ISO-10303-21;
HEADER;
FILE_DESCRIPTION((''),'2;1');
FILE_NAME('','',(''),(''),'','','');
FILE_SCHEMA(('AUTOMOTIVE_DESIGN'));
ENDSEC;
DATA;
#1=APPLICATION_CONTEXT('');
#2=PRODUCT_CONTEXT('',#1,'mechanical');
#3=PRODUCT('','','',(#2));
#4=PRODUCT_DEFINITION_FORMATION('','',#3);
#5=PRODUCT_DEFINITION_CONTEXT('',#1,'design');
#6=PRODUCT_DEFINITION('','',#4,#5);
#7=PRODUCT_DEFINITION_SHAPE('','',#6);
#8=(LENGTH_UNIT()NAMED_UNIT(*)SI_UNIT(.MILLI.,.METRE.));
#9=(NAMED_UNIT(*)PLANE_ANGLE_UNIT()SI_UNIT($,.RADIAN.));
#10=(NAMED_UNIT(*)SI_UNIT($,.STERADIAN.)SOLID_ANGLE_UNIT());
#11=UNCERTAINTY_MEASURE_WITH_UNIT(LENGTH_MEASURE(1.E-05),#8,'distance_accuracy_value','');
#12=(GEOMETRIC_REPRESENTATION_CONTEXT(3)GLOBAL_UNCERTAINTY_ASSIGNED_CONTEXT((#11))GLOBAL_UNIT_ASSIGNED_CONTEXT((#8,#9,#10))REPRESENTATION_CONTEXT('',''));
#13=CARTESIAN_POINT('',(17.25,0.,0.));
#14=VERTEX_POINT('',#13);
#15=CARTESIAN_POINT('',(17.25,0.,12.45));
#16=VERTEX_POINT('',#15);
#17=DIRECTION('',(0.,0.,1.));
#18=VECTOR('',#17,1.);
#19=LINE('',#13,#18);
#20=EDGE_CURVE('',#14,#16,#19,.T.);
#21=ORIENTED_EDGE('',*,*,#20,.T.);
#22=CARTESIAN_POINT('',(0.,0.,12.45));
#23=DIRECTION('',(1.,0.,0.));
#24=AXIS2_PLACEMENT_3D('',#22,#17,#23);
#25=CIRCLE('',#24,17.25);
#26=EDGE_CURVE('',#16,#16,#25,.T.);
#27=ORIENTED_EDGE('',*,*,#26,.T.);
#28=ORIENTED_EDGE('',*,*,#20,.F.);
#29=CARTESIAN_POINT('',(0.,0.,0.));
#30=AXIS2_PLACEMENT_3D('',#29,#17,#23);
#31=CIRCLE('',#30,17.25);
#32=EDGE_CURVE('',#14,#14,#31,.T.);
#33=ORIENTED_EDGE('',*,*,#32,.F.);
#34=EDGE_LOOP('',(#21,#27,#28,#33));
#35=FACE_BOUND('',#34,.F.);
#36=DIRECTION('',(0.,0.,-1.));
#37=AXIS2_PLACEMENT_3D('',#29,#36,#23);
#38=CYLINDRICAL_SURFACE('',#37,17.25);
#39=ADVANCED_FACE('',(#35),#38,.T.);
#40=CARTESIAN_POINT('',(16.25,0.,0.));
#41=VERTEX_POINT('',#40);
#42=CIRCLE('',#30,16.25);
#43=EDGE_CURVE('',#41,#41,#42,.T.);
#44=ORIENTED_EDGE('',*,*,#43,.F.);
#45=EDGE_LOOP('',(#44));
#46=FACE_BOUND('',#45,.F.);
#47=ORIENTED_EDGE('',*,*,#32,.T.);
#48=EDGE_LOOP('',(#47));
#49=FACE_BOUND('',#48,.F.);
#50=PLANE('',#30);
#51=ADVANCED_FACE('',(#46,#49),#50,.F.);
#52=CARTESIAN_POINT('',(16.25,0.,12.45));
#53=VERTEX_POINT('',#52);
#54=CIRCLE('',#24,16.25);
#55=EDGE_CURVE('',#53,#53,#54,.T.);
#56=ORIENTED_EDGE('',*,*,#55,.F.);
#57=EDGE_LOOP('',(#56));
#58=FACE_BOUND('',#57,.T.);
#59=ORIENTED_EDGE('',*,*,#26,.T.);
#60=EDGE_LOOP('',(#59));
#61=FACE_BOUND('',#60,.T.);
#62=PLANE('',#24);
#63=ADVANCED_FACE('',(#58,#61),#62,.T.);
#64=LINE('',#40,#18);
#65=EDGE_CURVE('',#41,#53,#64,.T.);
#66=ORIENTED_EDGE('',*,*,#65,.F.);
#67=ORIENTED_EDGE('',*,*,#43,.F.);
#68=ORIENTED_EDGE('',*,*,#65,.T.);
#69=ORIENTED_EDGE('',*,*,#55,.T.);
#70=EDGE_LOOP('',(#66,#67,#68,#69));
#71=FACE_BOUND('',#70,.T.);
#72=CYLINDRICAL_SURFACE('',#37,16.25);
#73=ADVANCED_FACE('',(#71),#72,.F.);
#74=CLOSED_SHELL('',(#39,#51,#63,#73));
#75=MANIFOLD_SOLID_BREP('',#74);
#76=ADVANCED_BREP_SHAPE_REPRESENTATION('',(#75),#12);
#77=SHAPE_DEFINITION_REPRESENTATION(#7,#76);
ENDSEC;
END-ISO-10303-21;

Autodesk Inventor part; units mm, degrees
ref_plane "YZ Plane" through (0, 0, 0) normal (1, 0, 0) x (0, 1, 0)
ref_plane "XZ Plane" through (0, 0, 0) normal (0, 1, 0) x (-1, 0, 0)
ref_plane "XY Plane" through (0, 0, 0) normal (0, 0, 1) x (1, 0, 0)
sketch "Sketch1" plane through (0, 0, 0) normal (0, 0, 1) x (1, 0, 0)
  circle A0 centre (0, 0) radius 17.25
  circle A1 centre (0, 0) radius 16.25
  dimension "d0" = 34.5
  dimension "d1" = 1
extrude "Extrusion1" add sketch "Sketch1" along normal blind 12.45
properties part number "hull"
